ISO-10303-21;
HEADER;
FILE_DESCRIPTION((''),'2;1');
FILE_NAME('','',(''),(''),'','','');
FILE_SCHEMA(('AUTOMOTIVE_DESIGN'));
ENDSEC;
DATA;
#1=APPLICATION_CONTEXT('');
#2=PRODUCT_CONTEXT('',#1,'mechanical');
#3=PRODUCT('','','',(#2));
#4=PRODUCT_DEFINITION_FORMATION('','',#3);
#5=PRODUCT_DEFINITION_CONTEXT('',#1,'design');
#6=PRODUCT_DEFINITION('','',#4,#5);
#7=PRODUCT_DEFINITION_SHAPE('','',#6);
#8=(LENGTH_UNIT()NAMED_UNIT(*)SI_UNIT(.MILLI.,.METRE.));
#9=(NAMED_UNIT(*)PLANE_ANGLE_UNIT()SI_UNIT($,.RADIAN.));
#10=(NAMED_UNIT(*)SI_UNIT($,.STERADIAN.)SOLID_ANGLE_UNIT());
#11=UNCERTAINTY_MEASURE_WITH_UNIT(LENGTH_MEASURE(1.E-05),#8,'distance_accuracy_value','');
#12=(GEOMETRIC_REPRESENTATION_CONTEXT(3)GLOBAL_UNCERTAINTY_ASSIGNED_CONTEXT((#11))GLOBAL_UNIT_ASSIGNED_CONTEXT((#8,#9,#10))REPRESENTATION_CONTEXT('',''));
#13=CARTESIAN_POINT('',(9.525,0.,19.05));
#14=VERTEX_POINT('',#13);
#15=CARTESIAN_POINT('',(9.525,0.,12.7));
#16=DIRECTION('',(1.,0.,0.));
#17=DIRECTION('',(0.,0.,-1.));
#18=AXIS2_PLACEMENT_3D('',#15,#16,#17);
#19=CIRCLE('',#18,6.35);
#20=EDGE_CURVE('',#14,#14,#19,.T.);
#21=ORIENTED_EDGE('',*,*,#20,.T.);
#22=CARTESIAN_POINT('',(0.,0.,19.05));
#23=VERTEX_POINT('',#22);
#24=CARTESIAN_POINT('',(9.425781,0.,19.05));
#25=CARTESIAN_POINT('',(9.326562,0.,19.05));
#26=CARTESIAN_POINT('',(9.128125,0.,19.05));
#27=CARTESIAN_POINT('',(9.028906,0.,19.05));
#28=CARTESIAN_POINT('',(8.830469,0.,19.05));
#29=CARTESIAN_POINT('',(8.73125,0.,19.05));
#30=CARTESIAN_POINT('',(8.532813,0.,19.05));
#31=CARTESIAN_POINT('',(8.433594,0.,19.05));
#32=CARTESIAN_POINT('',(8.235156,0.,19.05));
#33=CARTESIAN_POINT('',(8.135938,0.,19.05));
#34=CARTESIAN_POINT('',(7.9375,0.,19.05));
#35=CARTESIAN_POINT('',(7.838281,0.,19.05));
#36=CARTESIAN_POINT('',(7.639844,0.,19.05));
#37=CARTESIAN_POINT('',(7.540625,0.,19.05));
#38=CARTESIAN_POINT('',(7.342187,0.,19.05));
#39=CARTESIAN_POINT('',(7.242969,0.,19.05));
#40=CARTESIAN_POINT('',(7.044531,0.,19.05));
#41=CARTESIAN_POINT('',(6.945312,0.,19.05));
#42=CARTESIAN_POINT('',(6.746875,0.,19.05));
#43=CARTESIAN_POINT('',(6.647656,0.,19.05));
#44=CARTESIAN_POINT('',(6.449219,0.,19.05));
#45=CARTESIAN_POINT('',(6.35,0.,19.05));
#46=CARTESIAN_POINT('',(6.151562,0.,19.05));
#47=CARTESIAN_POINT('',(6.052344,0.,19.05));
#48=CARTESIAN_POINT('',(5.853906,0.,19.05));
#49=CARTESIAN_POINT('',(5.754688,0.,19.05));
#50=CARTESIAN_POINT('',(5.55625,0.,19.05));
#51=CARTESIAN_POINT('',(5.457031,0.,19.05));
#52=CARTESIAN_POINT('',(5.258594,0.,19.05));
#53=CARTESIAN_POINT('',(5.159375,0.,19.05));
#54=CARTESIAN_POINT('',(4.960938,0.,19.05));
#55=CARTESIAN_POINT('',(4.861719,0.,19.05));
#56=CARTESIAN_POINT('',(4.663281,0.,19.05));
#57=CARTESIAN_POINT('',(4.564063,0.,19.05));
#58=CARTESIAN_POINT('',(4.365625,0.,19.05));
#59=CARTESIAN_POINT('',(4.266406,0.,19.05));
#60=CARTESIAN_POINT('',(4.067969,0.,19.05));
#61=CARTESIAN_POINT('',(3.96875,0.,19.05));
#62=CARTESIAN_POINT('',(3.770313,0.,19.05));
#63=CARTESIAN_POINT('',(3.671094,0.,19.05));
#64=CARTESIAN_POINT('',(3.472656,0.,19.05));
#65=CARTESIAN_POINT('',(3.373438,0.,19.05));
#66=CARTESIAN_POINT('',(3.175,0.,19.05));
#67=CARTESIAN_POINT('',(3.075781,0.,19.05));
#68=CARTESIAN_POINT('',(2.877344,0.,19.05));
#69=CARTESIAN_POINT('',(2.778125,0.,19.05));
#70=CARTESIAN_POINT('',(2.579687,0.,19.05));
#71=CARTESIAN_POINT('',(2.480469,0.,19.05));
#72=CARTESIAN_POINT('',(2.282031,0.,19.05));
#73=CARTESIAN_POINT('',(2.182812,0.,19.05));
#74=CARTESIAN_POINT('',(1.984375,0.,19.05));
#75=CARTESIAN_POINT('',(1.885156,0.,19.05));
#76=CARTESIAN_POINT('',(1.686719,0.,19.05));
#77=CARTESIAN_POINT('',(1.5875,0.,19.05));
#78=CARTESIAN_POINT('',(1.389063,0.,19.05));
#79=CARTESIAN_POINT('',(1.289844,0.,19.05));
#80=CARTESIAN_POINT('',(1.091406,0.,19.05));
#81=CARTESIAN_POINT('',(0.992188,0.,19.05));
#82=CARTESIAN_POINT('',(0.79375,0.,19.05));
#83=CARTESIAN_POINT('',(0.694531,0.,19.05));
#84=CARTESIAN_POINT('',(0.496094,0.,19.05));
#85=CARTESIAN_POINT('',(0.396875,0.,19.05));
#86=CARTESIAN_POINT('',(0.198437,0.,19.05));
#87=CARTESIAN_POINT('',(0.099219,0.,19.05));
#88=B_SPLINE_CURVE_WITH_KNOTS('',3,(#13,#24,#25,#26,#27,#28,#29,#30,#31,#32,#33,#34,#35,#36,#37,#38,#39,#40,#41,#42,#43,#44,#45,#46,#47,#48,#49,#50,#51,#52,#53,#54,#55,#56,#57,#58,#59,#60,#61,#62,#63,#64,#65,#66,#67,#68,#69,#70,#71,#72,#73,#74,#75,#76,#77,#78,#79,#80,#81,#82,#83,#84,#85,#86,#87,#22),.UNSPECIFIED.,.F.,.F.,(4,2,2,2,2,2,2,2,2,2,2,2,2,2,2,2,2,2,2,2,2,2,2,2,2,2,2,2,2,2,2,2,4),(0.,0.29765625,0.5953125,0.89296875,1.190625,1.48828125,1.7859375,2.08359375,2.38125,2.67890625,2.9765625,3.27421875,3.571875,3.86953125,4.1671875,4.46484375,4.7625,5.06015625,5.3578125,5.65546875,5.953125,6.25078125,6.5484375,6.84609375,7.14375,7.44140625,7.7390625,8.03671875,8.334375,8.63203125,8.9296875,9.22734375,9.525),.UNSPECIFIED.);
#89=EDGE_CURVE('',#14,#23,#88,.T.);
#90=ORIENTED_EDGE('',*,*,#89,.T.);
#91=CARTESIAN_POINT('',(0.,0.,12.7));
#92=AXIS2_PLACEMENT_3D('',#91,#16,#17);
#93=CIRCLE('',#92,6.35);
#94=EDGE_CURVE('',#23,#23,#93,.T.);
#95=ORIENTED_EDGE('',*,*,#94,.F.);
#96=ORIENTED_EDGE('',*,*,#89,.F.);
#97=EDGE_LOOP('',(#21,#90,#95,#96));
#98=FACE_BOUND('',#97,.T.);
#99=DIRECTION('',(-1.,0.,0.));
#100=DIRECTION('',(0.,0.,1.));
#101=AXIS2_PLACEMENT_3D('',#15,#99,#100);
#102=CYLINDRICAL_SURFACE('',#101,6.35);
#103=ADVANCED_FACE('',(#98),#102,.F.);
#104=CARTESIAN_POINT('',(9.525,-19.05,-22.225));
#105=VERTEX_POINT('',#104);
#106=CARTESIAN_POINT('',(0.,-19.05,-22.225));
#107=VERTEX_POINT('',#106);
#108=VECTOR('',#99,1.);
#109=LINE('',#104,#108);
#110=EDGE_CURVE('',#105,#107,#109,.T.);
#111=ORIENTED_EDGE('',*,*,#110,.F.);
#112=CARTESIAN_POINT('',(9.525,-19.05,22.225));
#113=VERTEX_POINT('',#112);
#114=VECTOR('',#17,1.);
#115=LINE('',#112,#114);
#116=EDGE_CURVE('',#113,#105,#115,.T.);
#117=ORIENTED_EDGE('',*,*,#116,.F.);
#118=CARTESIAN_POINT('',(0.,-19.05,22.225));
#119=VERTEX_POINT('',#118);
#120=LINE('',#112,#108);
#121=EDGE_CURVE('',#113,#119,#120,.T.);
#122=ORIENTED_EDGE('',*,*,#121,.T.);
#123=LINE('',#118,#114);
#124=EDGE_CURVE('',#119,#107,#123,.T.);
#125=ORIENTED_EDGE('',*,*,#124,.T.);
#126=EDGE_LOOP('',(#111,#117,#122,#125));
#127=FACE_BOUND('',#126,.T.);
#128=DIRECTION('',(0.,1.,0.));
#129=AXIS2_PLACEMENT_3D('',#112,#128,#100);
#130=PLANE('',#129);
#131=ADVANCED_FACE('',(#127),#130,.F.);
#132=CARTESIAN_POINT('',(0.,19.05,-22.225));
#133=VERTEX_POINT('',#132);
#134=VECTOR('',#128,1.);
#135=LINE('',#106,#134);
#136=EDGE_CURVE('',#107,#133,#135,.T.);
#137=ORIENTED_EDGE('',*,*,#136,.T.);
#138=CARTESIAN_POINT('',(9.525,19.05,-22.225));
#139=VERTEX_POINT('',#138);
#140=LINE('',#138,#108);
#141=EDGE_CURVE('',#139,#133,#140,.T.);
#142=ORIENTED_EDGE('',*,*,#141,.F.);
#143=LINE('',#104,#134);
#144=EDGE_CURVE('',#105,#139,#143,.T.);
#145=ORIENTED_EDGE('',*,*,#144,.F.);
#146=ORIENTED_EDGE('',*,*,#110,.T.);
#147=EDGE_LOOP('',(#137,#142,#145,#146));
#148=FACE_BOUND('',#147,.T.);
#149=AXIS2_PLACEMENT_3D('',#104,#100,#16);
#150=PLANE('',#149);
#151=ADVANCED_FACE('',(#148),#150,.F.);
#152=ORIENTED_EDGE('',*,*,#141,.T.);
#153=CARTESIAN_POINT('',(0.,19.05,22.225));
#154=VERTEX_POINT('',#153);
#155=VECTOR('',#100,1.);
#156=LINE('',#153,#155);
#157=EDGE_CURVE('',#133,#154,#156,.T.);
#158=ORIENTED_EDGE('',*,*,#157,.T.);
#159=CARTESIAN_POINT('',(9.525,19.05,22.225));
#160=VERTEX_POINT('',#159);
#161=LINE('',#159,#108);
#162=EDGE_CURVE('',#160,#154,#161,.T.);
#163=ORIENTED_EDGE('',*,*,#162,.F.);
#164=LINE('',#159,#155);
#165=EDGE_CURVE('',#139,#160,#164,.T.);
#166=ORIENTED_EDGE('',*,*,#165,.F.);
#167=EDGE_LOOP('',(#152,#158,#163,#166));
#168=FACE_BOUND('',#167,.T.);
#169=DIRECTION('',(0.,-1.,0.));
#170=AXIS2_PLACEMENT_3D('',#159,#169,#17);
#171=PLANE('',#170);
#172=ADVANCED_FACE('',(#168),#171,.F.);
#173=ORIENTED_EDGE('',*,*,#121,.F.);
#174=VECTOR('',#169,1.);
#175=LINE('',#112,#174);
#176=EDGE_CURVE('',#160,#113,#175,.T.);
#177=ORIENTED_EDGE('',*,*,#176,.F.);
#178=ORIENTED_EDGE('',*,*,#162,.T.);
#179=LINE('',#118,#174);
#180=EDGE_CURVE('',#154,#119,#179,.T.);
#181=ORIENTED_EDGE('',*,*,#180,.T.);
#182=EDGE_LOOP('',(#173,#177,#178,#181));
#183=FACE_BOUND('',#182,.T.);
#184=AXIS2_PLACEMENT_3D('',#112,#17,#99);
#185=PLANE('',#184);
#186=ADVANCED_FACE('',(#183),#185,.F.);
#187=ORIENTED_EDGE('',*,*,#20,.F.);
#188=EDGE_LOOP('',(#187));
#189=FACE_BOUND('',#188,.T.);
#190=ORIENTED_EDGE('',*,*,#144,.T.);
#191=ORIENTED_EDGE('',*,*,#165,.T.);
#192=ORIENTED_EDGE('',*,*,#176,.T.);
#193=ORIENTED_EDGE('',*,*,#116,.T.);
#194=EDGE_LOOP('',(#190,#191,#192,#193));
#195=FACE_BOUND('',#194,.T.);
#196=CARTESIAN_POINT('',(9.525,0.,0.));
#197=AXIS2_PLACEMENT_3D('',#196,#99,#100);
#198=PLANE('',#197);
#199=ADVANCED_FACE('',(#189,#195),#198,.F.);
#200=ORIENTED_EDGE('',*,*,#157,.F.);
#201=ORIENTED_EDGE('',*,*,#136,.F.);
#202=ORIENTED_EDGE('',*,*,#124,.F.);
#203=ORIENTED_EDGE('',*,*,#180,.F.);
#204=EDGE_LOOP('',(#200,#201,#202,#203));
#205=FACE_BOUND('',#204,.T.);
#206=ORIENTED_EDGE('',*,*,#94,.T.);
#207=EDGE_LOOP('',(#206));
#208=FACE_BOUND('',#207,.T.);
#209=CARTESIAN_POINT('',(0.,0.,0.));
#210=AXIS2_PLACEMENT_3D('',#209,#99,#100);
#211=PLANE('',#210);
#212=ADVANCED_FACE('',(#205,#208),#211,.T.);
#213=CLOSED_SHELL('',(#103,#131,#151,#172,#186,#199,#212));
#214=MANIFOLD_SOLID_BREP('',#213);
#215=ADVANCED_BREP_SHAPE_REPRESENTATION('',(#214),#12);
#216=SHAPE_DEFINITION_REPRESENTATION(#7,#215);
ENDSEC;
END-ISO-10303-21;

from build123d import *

# Parameters (mm, degrees)
SKETCH1_W           = 44.45
SKETCH1_H           = 38.1
SKETCH1_R           = 6.35
BOSS_EXTRUDE1_DEPTH = 9.525


with BuildPart() as part:
    # Sketch1 → Boss-Extrude1 (new body)
    with BuildSketch(Plane(origin=(0, 0, 0), x_dir=(0, 0, -1), z_dir=(1, 0, 0))):
        Rectangle(SKETCH1_W, SKETCH1_H)
        with Locations(Location((-12.7, 0, 0), (0, 0, 180))):
            Circle(SKETCH1_R, mode=Mode.SUBTRACT)
    extrude(amount=BOSS_EXTRUDE1_DEPTH)


solid = part.part
